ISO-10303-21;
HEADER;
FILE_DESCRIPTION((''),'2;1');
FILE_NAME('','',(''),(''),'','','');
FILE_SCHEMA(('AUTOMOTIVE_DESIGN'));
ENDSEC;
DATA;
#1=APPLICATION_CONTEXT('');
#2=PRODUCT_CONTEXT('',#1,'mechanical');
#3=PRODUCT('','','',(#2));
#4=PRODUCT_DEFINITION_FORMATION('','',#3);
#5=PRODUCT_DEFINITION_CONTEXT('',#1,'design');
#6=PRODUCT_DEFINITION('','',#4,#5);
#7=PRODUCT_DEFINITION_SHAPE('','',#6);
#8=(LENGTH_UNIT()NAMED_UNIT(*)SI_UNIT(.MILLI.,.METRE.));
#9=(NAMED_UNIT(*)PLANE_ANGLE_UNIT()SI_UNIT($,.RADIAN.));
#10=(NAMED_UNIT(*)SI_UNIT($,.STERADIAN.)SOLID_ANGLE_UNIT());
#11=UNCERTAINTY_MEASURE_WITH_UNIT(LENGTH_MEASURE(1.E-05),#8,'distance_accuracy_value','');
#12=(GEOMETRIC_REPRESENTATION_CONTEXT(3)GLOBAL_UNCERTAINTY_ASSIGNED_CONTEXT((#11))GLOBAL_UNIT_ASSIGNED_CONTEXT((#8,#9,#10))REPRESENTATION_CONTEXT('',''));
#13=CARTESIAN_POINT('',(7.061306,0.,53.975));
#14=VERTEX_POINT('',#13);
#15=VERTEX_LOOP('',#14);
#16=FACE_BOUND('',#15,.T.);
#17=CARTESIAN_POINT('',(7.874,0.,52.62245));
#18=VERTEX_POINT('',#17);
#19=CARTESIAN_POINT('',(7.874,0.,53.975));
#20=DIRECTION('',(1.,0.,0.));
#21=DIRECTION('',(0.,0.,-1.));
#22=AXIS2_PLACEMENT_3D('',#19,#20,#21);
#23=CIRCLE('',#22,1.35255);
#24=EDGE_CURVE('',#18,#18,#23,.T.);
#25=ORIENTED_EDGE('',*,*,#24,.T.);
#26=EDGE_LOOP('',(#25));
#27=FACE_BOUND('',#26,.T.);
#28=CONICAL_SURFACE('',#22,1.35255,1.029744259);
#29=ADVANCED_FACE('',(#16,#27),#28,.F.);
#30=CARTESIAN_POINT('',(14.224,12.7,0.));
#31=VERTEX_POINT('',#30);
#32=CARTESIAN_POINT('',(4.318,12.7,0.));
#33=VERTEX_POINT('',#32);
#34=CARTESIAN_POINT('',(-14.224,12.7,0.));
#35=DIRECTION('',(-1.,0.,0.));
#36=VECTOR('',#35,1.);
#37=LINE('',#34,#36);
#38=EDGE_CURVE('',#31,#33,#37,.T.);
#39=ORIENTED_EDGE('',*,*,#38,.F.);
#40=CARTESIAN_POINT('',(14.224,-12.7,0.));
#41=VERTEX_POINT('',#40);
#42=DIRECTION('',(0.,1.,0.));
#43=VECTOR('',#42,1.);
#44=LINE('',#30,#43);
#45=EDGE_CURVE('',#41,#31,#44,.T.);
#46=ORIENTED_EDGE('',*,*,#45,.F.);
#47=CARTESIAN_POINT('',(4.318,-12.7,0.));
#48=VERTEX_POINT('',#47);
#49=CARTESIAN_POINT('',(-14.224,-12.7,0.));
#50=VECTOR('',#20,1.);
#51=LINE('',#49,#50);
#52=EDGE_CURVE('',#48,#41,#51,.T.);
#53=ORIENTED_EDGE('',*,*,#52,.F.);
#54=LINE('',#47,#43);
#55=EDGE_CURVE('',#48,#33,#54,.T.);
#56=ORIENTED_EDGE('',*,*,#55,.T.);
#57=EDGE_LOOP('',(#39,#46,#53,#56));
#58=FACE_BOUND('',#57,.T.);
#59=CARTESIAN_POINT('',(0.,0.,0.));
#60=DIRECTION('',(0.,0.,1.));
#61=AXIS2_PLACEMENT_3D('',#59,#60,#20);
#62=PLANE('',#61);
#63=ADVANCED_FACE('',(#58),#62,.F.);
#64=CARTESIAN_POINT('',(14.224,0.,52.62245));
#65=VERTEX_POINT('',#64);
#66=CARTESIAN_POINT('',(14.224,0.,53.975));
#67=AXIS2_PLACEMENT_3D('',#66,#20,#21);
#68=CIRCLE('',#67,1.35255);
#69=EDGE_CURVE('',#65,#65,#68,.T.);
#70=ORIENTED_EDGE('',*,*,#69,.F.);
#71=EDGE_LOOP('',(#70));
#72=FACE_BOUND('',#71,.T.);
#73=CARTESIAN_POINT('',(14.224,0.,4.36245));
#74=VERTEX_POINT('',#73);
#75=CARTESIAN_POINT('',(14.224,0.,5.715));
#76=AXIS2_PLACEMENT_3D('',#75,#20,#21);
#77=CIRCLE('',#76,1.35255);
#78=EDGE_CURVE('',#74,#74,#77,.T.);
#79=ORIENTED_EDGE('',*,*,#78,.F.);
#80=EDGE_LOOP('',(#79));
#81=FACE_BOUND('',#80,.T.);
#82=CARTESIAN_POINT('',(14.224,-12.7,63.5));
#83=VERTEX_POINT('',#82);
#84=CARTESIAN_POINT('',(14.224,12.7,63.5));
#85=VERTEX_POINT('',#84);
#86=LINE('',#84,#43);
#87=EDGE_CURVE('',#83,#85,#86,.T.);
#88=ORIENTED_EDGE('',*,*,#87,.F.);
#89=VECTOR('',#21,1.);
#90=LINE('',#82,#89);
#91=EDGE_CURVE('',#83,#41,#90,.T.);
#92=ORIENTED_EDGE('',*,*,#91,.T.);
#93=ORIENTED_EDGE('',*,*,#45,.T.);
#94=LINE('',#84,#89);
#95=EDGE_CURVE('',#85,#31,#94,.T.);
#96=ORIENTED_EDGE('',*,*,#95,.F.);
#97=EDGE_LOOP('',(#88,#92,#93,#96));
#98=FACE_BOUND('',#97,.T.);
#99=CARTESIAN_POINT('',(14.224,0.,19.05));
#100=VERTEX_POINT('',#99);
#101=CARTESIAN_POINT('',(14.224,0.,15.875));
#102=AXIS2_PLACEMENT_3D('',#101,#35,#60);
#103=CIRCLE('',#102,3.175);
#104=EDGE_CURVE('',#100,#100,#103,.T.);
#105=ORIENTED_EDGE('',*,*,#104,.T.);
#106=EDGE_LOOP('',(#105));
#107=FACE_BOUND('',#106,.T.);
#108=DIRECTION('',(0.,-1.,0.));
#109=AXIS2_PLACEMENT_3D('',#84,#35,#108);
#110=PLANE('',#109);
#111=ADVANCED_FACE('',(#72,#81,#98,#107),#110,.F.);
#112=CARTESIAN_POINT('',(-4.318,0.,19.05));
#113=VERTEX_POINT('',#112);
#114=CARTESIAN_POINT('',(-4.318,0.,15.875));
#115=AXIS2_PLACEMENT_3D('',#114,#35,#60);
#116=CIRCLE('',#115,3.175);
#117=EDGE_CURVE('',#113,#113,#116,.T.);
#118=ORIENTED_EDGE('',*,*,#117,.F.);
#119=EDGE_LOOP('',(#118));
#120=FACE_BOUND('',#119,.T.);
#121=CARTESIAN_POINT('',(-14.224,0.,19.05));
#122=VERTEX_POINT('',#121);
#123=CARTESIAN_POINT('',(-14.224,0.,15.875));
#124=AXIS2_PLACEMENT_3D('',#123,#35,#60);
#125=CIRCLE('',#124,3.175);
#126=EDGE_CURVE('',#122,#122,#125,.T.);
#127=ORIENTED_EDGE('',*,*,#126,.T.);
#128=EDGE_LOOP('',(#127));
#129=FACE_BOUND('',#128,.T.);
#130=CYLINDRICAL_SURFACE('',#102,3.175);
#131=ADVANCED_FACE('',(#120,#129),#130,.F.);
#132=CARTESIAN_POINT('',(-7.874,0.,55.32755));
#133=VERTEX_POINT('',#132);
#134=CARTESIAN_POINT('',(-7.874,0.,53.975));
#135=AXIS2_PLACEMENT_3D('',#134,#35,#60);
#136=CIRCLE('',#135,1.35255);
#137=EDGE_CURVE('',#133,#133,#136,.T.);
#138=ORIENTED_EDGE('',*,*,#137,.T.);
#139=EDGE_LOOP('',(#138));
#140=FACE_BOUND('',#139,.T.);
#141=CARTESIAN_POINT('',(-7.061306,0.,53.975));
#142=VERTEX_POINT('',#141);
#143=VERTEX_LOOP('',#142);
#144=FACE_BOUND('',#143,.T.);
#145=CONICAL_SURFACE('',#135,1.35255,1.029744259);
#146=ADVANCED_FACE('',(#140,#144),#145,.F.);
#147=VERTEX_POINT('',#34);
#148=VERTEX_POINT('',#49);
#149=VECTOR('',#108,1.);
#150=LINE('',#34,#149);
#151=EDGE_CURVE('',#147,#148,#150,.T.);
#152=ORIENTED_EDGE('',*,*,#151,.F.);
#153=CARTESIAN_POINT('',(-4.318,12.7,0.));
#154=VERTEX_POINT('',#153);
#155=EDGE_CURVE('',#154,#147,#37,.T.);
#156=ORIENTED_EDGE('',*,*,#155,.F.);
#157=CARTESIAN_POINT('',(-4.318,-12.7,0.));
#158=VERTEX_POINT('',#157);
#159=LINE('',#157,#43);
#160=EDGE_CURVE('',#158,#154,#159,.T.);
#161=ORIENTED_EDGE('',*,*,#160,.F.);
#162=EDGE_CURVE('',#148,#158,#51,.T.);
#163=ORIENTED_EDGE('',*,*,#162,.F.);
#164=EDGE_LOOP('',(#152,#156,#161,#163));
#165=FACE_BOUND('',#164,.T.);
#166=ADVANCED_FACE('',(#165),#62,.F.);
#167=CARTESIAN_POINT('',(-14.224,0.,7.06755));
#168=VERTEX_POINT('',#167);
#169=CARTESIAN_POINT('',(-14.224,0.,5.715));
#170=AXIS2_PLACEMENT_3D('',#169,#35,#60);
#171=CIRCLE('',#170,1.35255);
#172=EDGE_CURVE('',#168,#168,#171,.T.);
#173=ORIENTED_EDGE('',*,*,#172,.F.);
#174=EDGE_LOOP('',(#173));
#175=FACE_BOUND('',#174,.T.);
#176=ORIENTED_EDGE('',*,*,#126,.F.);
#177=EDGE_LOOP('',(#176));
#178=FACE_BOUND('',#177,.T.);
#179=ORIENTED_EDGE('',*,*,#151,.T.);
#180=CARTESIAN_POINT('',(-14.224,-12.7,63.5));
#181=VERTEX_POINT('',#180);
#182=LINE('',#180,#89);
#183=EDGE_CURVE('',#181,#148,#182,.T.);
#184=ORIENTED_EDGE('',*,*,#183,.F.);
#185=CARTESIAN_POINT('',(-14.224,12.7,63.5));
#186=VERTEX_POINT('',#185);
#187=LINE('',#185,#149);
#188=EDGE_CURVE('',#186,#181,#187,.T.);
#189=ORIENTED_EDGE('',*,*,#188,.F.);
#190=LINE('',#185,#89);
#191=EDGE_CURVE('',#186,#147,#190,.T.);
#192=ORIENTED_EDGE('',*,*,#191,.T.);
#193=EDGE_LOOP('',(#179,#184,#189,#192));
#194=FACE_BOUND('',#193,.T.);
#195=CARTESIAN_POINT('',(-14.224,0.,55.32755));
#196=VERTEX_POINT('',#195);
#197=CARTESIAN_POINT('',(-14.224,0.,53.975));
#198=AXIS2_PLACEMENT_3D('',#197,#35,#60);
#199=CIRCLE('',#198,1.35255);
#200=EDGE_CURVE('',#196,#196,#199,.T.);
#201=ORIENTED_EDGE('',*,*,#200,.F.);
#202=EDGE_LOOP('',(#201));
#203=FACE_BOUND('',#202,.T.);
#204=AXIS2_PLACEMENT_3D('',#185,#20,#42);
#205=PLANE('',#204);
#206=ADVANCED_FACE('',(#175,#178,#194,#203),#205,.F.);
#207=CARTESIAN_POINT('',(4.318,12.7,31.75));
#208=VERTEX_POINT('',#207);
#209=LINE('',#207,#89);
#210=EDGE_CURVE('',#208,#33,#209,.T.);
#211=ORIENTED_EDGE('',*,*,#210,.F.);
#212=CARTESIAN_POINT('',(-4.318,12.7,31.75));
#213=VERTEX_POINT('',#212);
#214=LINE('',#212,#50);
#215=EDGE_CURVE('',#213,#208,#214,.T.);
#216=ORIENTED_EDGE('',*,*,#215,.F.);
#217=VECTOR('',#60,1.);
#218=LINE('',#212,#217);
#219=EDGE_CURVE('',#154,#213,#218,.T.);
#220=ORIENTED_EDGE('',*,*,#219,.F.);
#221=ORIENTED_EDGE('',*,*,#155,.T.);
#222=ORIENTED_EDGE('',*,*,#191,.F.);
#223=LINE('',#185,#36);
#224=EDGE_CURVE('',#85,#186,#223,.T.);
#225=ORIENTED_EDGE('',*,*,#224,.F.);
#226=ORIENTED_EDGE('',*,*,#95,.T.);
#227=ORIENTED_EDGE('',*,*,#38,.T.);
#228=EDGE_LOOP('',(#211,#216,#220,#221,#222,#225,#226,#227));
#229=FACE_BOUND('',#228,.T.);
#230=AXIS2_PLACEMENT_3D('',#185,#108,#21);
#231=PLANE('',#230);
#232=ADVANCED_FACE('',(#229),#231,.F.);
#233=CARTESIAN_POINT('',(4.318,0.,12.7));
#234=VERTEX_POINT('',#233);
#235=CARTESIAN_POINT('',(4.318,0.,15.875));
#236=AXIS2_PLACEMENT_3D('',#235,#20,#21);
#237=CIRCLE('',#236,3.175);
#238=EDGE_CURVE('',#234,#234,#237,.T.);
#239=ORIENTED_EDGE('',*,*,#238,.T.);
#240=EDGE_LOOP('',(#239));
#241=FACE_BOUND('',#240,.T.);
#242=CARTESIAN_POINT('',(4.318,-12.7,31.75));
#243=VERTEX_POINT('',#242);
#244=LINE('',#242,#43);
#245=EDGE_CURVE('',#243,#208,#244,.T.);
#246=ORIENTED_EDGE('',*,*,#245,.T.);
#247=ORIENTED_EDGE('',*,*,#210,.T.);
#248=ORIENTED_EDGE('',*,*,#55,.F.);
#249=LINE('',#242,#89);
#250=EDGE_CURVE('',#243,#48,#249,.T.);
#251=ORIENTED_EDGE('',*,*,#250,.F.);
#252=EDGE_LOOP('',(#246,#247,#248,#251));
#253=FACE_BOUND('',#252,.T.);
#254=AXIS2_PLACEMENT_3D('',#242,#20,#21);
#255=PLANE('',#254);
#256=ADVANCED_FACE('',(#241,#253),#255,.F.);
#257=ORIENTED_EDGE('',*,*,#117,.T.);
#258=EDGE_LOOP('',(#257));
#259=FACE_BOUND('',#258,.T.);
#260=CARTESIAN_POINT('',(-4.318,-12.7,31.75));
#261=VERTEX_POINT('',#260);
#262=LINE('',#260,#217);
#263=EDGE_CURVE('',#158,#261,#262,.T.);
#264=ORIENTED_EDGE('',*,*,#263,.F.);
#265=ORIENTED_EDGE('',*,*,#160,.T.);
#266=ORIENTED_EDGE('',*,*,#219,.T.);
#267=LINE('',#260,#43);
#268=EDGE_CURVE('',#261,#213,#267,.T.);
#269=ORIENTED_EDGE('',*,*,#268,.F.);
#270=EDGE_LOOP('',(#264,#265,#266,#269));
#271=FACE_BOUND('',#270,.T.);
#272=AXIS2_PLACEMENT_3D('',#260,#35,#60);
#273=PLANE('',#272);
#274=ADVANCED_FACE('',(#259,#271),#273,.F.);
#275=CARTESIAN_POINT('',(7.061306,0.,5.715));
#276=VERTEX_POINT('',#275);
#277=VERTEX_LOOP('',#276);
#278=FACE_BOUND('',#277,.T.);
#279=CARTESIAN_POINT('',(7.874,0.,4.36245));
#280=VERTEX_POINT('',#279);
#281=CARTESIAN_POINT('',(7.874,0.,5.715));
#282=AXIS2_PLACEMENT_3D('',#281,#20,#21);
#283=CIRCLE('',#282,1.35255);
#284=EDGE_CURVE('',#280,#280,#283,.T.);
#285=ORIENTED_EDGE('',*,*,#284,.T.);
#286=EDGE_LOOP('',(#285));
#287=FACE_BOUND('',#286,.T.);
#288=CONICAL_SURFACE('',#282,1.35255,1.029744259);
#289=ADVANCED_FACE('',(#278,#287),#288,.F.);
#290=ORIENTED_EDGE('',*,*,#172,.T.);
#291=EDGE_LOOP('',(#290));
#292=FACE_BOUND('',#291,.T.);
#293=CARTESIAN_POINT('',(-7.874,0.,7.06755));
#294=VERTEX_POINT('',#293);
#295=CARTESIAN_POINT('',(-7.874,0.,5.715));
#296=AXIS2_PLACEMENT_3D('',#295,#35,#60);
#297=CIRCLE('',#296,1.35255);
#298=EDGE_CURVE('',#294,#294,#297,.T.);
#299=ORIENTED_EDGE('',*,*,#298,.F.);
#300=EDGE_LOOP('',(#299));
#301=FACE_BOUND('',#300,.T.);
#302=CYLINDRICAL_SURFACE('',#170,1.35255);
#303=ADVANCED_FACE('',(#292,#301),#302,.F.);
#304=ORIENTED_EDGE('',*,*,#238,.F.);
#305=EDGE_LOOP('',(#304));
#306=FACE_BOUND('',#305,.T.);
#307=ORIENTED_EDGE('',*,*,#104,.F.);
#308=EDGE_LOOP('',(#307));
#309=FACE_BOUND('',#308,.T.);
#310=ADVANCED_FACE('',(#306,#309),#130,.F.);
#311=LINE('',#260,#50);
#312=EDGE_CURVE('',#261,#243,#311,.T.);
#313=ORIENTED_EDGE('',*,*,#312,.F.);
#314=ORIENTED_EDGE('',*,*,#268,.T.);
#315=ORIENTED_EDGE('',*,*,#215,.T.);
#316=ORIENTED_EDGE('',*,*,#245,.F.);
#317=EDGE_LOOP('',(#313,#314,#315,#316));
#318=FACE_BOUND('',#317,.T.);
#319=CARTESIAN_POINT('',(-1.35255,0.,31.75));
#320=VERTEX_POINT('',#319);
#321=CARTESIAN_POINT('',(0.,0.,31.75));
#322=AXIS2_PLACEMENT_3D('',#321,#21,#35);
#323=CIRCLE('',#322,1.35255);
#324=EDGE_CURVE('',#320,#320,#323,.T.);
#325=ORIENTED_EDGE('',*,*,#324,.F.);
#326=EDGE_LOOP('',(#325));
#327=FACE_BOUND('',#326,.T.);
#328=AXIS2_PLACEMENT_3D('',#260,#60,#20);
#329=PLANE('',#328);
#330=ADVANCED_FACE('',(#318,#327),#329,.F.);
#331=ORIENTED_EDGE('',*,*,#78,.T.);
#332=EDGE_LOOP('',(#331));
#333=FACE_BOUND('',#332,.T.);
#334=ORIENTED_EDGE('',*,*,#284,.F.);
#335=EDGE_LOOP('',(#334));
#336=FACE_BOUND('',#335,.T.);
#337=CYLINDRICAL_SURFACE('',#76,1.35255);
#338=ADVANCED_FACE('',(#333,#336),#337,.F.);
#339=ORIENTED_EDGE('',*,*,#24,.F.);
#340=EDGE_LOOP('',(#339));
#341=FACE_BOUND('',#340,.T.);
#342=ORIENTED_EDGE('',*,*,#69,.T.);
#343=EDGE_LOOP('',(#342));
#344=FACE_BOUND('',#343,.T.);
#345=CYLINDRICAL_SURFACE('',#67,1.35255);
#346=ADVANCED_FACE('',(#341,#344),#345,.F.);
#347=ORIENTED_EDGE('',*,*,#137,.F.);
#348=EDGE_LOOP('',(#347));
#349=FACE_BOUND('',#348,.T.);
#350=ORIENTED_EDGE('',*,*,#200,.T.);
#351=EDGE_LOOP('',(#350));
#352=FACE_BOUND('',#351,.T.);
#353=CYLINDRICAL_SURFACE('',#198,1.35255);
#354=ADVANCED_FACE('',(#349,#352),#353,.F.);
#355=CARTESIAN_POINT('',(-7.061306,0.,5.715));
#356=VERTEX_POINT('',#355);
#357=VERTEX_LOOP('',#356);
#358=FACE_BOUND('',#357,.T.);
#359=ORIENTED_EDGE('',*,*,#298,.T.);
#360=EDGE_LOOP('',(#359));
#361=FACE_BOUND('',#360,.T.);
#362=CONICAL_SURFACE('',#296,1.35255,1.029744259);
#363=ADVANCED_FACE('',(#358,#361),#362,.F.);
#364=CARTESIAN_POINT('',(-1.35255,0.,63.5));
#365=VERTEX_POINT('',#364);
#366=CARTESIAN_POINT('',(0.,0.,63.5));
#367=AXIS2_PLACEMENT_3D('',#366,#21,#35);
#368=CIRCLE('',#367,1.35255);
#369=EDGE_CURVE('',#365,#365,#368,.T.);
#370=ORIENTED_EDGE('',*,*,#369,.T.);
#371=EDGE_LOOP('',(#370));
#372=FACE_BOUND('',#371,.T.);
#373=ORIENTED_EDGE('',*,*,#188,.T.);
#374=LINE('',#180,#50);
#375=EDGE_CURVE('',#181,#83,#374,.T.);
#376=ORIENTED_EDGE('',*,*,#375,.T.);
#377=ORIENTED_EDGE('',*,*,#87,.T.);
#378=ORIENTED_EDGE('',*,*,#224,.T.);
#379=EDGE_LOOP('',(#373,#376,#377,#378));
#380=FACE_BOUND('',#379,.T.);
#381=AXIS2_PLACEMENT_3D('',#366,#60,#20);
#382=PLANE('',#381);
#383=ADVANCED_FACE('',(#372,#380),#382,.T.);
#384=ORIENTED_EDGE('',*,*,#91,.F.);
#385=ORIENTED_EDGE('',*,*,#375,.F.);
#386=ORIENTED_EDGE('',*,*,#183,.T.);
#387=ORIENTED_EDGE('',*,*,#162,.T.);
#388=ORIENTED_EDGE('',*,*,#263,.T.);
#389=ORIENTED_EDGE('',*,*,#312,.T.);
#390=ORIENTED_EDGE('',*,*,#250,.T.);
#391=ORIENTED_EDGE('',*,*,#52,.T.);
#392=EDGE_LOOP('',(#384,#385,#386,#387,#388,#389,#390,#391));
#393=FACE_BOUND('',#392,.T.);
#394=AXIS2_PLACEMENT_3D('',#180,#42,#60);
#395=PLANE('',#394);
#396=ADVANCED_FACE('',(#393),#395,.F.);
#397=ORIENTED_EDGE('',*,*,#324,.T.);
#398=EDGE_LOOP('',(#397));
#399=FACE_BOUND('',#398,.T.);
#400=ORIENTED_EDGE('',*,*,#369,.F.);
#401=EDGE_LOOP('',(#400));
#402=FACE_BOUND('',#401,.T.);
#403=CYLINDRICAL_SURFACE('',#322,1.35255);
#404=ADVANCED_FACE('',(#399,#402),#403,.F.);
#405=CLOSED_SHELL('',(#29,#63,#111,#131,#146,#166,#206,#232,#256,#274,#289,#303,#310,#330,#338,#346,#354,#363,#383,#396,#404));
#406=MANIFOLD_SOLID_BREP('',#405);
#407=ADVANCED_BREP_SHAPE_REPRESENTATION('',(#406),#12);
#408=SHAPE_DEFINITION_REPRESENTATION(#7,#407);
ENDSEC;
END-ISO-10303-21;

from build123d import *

# Parameters (mm, degrees)
SKETCH1_W                 = 28.448
SKETCH1_H                 = 25.4
BOSS_EXTRUDE1_DEPTH       = 63.5
SKETCH2_W                 = 8.636
SKETCH2_H                 = 31.75
CUT_EXTRUDE1_DEPTH        = 70.855079815
SKETCH3_R                 = 3.175
CUT_EXTRUDE3_DEPTH        = 71.730677248
F_6_32_TAPPED_HOLE1_D     = 2.7051
F_6_32_TAPPED_HOLE1_DEPTH = 6.35
F_6_32_TAPPED_HOLE1_TIP   = 0.81269403
F_6_32_TAPPED_HOLE2_D     = 2.7051
F_6_32_TAPPED_HOLE2_DEPTH = 6.35
F_6_32_TAPPED_HOLE2_TIP   = 0.81269403
F_6_32_TAPPED_HOLE3_D     = 2.7051


with BuildPart() as part:
    # Sketch1 → Boss-Extrude1 (new body)
    with BuildSketch(Plane.XY):
        Rectangle(SKETCH1_W, SKETCH1_H)
    extrude(amount=BOSS_EXTRUDE1_DEPTH)

    # Sketch2 → Cut-Extrude1 (cut, through all)
    with BuildSketch(Plane(origin=(0, 12.7, 0), x_dir=(1, 0, 0), z_dir=(0, 1, 0))):
        with Locations((0, -15.875)):
            Rectangle(SKETCH2_W, SKETCH2_H)
    extrude(amount=-CUT_EXTRUDE1_DEPTH, mode=Mode.SUBTRACT)

    # Sketch3 → Cut-Extrude3 (cut, through all)
    with BuildSketch(Plane.ZY.offset(14.224)):
        with Locations((15.875, 0)):
            Circle(SKETCH3_R)
    extrude(amount=-CUT_EXTRUDE3_DEPTH, mode=Mode.SUBTRACT)

    # #6-32 Tapped Hole1
    with Locations(Plane.ZY.offset(14.224)):
        with Locations((5.715, 0), (53.975, 0)):
            Hole(F_6_32_TAPPED_HOLE1_D / 2, depth=F_6_32_TAPPED_HOLE1_DEPTH)
            with Locations((0, 0, -(F_6_32_TAPPED_HOLE1_DEPTH + F_6_32_TAPPED_HOLE1_TIP / 2))):  # 118° drill point
                Cone(0, F_6_32_TAPPED_HOLE1_D / 2, F_6_32_TAPPED_HOLE1_TIP, mode=Mode.SUBTRACT)

    # #6-32 Tapped Hole2
    with Locations(Plane(origin=(14.224, 0, 0), x_dir=(0, 0, -1), z_dir=(1, 0, 0))):
        with Locations((-53.975, 0), (-5.715, 0)):
            Hole(F_6_32_TAPPED_HOLE2_D / 2, depth=F_6_32_TAPPED_HOLE2_DEPTH)
            with Locations((0, 0, -(F_6_32_TAPPED_HOLE2_DEPTH + F_6_32_TAPPED_HOLE2_TIP / 2))):  # 118° drill point
                Cone(0, F_6_32_TAPPED_HOLE2_D / 2, F_6_32_TAPPED_HOLE2_TIP, mode=Mode.SUBTRACT)

    # #6-32 Tapped Hole3 (through all)
    with Locations(Plane(origin=(0, 0, 31.75), x_dir=(-1, 0, 0), z_dir=(0, 0, -1))):
        with Locations((0, 0)):
            Hole(F_6_32_TAPPED_HOLE3_D / 2)


solid = part.part
